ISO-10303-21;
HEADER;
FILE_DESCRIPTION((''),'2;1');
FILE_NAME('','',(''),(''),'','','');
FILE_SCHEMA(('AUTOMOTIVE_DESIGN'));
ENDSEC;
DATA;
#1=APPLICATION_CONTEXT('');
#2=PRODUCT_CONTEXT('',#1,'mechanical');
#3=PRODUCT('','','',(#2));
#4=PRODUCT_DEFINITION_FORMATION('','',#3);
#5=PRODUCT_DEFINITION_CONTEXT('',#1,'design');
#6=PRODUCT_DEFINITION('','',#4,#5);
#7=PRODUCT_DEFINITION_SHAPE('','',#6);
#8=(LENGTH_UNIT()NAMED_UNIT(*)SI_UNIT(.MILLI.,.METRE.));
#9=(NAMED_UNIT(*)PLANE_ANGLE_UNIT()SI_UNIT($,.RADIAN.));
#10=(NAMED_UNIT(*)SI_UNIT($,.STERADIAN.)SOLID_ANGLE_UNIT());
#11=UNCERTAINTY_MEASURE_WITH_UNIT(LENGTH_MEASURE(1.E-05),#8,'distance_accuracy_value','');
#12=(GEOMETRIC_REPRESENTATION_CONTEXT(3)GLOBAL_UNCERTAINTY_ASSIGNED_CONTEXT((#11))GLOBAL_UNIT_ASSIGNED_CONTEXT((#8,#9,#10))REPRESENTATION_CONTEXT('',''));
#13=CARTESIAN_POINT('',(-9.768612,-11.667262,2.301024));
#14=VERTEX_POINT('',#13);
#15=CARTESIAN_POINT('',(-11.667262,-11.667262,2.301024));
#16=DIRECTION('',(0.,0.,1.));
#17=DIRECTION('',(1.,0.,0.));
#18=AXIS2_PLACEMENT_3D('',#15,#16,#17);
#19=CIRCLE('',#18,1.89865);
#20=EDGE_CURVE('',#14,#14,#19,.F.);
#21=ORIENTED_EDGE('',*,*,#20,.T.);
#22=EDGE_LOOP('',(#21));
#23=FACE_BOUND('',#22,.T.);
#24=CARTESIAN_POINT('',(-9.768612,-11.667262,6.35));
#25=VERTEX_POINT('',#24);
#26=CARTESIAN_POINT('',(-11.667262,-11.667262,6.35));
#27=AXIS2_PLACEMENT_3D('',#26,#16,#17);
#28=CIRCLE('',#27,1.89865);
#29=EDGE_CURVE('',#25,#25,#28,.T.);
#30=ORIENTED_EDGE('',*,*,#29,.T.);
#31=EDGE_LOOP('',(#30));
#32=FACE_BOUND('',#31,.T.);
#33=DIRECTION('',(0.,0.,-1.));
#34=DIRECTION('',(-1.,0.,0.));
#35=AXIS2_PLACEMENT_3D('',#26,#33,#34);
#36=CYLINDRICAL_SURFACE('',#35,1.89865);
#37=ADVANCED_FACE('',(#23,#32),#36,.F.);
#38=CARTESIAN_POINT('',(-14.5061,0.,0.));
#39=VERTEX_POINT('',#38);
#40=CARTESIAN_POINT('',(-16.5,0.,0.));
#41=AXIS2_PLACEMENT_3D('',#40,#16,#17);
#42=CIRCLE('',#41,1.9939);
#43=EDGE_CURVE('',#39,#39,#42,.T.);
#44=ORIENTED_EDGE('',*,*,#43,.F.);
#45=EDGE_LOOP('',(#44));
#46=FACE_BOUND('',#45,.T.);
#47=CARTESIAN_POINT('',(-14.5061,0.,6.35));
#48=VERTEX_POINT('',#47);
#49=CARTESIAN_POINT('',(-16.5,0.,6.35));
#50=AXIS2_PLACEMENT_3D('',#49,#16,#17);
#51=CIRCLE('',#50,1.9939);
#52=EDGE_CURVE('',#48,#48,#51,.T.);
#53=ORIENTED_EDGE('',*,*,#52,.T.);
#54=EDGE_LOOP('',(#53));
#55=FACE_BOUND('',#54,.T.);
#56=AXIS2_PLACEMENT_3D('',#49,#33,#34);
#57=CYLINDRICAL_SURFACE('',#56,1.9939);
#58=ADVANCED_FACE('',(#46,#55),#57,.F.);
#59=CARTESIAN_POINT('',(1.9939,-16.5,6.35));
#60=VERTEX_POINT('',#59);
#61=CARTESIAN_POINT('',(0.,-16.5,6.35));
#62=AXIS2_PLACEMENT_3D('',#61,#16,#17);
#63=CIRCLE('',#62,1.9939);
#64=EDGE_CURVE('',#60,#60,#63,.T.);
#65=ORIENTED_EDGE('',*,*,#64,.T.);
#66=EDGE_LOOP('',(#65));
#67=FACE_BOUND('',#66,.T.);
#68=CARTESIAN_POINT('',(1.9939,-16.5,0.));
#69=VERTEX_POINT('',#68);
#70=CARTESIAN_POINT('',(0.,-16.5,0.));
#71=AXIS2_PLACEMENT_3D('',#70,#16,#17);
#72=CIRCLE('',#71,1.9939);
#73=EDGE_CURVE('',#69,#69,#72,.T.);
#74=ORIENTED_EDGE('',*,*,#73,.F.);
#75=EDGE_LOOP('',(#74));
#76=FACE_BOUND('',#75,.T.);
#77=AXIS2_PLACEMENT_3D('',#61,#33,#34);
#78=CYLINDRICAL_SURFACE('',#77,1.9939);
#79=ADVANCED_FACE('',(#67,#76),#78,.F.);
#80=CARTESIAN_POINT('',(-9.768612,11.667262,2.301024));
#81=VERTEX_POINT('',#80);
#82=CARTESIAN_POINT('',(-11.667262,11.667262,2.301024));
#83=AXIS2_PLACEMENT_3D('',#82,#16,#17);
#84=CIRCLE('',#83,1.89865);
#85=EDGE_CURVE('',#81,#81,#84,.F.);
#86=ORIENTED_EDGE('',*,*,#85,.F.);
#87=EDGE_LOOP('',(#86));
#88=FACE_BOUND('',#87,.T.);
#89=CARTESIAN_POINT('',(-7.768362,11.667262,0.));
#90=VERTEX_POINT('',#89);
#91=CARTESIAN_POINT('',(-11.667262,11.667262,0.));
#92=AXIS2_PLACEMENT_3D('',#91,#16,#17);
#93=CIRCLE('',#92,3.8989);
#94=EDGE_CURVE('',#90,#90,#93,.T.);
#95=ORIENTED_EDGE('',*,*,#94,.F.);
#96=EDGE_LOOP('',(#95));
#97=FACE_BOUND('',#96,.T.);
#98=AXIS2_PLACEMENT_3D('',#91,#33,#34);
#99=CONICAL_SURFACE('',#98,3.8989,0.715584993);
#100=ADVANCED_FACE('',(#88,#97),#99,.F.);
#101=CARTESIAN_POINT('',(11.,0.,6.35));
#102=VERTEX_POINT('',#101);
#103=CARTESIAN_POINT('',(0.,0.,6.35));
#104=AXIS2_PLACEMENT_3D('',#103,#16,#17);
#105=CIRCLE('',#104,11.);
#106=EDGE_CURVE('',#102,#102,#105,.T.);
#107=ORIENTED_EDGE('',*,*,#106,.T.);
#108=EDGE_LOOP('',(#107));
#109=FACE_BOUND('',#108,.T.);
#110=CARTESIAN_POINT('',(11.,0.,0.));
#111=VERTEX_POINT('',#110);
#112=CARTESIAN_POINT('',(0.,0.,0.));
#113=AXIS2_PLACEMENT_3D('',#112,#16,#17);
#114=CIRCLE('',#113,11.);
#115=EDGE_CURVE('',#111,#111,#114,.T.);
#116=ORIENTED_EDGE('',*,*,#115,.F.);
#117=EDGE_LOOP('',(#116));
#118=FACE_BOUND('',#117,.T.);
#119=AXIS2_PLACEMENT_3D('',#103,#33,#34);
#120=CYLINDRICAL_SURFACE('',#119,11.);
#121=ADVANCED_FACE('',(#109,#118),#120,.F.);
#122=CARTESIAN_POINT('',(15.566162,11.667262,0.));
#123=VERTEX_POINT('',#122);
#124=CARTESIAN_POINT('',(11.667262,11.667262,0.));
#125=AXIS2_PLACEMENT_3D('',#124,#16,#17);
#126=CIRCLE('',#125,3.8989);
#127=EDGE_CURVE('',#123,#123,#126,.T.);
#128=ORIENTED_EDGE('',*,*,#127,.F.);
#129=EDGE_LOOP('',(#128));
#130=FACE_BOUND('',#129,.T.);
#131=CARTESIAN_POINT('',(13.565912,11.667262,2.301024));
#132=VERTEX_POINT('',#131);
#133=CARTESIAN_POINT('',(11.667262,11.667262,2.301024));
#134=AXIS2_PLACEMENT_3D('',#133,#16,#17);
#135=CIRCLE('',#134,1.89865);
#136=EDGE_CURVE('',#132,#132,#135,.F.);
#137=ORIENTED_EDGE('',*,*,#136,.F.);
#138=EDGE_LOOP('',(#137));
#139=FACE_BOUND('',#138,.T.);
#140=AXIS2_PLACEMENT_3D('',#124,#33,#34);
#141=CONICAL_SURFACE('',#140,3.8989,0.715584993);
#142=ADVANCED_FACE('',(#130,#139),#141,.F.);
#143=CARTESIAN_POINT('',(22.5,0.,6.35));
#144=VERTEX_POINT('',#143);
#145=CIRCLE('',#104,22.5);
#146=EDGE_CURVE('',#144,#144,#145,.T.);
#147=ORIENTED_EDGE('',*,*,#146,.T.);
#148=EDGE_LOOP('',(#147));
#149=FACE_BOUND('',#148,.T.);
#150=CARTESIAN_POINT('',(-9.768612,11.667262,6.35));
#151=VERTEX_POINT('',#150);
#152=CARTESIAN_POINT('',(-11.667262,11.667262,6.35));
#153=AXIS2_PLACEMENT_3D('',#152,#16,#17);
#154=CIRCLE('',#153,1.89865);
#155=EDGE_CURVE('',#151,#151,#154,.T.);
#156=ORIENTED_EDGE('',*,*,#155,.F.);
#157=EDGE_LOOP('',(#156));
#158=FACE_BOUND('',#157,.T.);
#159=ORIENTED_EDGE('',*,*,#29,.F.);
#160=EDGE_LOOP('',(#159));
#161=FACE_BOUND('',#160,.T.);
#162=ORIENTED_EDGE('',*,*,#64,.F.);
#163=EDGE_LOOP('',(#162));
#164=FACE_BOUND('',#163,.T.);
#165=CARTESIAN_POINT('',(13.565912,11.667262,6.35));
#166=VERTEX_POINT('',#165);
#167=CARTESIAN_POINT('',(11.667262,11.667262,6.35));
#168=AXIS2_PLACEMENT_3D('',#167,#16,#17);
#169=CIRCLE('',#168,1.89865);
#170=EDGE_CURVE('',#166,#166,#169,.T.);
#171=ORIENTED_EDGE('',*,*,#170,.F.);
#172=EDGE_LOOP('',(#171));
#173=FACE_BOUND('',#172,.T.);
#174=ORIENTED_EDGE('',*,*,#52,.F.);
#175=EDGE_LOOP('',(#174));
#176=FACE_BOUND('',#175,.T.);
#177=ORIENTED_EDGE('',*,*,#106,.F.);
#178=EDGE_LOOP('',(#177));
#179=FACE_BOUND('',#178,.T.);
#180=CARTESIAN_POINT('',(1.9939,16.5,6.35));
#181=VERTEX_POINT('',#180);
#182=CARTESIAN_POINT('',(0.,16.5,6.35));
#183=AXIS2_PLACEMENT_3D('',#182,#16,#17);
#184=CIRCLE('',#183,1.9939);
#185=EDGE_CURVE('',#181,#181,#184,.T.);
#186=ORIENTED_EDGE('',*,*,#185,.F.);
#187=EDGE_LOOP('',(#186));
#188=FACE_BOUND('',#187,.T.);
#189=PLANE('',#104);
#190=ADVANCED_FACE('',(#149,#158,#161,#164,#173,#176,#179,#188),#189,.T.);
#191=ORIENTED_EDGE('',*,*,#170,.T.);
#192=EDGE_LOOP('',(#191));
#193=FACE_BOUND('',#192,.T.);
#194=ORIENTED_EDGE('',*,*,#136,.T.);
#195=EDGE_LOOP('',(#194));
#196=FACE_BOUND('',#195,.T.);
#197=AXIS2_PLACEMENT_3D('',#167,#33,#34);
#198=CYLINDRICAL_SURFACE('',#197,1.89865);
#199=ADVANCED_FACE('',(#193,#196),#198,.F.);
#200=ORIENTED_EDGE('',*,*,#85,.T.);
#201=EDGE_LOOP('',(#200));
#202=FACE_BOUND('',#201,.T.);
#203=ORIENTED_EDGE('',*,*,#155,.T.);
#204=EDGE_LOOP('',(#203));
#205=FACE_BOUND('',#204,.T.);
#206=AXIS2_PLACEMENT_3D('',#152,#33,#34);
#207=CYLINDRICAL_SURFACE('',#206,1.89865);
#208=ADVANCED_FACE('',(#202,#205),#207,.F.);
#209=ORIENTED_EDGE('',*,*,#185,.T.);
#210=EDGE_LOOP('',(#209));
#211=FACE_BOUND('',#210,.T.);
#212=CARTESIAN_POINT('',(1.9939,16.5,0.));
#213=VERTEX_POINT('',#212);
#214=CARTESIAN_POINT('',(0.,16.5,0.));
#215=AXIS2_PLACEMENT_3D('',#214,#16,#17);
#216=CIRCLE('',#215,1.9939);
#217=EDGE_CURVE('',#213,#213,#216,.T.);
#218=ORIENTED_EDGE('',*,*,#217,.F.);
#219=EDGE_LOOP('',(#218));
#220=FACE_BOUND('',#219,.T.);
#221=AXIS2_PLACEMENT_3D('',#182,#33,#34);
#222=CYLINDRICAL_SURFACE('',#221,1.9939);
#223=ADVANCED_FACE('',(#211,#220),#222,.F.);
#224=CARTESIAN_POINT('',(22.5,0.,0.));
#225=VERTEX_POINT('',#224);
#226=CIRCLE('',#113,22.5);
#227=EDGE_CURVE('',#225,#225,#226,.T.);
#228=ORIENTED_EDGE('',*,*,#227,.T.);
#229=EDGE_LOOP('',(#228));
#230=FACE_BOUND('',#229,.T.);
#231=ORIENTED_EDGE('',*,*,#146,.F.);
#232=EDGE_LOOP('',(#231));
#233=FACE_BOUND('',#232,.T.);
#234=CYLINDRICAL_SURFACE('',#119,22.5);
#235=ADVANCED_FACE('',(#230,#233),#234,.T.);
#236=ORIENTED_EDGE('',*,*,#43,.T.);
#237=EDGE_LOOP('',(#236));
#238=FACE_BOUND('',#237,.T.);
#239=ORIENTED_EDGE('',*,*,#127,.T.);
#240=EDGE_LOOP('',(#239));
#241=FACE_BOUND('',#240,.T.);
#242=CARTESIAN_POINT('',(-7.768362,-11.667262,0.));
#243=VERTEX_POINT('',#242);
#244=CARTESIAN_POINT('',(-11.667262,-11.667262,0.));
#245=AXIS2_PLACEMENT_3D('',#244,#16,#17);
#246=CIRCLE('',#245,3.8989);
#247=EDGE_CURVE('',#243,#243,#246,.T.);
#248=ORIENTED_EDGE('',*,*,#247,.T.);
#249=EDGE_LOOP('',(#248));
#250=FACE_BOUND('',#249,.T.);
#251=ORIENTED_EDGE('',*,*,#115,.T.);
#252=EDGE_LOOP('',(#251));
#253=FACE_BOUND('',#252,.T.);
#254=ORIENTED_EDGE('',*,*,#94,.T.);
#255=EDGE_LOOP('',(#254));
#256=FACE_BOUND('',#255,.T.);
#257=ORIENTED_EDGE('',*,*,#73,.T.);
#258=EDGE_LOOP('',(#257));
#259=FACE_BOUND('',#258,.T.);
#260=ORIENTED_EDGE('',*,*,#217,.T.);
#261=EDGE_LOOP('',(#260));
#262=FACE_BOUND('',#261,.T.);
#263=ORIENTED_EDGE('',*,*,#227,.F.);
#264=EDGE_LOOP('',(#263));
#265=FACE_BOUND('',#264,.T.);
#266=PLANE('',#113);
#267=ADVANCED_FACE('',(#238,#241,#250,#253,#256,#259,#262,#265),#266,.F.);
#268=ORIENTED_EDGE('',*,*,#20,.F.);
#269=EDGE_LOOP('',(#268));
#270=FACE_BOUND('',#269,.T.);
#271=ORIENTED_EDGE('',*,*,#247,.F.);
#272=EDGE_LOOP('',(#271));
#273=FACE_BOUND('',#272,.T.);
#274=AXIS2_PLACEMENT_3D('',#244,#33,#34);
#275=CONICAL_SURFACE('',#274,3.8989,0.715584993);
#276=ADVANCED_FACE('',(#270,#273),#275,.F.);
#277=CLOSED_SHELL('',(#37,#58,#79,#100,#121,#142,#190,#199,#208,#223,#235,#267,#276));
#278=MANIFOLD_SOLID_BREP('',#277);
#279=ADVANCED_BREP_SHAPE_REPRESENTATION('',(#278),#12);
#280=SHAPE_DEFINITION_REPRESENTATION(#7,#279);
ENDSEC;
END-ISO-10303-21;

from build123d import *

# Parameters (mm, degrees)
SKETCH1_R             = 22.5
SKETCH1_R_2           = 11
SKETCH1_R_3           = 1.9939
SKETCH1_R_4           = 1.89865
BOSS_EXTRUDE1_DEPTH   = 6.35
CHAMFER1_SIZE         = 2.301024407
CHAMFER1_SIZE2        = 2.00025
CHAMFER1_PART_2_SIZE  = 2.301024407
CHAMFER1_PART_2_SIZE2 = 2.00025
CHAMFER1_PART_3_SIZE  = 2.301024407
CHAMFER1_PART_3_SIZE2 = 2.00025


with BuildPart() as part:
    # Sketch1 → Boss-Extrude1 (new body)
    with BuildSketch(Plane.XY):
        Circle(SKETCH1_R)
        Circle(SKETCH1_R_2, mode=Mode.SUBTRACT)
        with Locations((0, 16.5)):
            Circle(SKETCH1_R_3, mode=Mode.SUBTRACT)
        with Locations((11.66726189, 11.66726189)):
            Circle(SKETCH1_R_4, mode=Mode.SUBTRACT)
        with Locations((0, -16.5)):
            Circle(SKETCH1_R_3, mode=Mode.SUBTRACT)
        with Locations((-11.66726189, -11.66726189)):
            Circle(SKETCH1_R_4, mode=Mode.SUBTRACT)
        with Locations((-16.5, 0)):
            Circle(SKETCH1_R_3, mode=Mode.SUBTRACT)
        with Locations((-11.66726189, 11.66726189)):
            Circle(SKETCH1_R_4, mode=Mode.SUBTRACT)
    extrude(amount=BOSS_EXTRUDE1_DEPTH)

    # Chamfer1
    chamfer1_edges = [part.edges().sort_by_distance(p)[0] for p in [
        (9.76861189, 11.66726189, 0),
    ]]
    chamfer1_side = [part.faces().sort_by_distance(p)[0] for p in [
        (9.76861189, 11.66726189, 3.175),
    ]]
    chamfer(chamfer1_edges, length=CHAMFER1_SIZE, length2=CHAMFER1_SIZE2, reference=chamfer1_side[0])

    # Chamfer1 part 2
    chamfer1_part_2_edges = [part.edges().sort_by_distance(p)[0] for p in [
        (-13.56591189, -11.66726189, 0),
    ]]
    chamfer1_part_2_side = [part.faces().sort_by_distance(p)[0] for p in [
        (-13.56591189, -11.66726189, 3.175),
    ]]
    chamfer(chamfer1_part_2_edges, length=CHAMFER1_PART_2_SIZE, length2=CHAMFER1_PART_2_SIZE2, reference=chamfer1_part_2_side[0])

    # Chamfer1 part 3
    chamfer1_part_3_edges = [part.edges().sort_by_distance(p)[0] for p in [
        (-13.56591189, 11.66726189, 0),
    ]]
    chamfer1_part_3_side = [part.faces().sort_by_distance(p)[0] for p in [
        (-13.56591189, 11.66726189, 3.175),
    ]]
    chamfer(chamfer1_part_3_edges, length=CHAMFER1_PART_3_SIZE, length2=CHAMFER1_PART_3_SIZE2, reference=chamfer1_part_3_side[0])


solid = part.part
